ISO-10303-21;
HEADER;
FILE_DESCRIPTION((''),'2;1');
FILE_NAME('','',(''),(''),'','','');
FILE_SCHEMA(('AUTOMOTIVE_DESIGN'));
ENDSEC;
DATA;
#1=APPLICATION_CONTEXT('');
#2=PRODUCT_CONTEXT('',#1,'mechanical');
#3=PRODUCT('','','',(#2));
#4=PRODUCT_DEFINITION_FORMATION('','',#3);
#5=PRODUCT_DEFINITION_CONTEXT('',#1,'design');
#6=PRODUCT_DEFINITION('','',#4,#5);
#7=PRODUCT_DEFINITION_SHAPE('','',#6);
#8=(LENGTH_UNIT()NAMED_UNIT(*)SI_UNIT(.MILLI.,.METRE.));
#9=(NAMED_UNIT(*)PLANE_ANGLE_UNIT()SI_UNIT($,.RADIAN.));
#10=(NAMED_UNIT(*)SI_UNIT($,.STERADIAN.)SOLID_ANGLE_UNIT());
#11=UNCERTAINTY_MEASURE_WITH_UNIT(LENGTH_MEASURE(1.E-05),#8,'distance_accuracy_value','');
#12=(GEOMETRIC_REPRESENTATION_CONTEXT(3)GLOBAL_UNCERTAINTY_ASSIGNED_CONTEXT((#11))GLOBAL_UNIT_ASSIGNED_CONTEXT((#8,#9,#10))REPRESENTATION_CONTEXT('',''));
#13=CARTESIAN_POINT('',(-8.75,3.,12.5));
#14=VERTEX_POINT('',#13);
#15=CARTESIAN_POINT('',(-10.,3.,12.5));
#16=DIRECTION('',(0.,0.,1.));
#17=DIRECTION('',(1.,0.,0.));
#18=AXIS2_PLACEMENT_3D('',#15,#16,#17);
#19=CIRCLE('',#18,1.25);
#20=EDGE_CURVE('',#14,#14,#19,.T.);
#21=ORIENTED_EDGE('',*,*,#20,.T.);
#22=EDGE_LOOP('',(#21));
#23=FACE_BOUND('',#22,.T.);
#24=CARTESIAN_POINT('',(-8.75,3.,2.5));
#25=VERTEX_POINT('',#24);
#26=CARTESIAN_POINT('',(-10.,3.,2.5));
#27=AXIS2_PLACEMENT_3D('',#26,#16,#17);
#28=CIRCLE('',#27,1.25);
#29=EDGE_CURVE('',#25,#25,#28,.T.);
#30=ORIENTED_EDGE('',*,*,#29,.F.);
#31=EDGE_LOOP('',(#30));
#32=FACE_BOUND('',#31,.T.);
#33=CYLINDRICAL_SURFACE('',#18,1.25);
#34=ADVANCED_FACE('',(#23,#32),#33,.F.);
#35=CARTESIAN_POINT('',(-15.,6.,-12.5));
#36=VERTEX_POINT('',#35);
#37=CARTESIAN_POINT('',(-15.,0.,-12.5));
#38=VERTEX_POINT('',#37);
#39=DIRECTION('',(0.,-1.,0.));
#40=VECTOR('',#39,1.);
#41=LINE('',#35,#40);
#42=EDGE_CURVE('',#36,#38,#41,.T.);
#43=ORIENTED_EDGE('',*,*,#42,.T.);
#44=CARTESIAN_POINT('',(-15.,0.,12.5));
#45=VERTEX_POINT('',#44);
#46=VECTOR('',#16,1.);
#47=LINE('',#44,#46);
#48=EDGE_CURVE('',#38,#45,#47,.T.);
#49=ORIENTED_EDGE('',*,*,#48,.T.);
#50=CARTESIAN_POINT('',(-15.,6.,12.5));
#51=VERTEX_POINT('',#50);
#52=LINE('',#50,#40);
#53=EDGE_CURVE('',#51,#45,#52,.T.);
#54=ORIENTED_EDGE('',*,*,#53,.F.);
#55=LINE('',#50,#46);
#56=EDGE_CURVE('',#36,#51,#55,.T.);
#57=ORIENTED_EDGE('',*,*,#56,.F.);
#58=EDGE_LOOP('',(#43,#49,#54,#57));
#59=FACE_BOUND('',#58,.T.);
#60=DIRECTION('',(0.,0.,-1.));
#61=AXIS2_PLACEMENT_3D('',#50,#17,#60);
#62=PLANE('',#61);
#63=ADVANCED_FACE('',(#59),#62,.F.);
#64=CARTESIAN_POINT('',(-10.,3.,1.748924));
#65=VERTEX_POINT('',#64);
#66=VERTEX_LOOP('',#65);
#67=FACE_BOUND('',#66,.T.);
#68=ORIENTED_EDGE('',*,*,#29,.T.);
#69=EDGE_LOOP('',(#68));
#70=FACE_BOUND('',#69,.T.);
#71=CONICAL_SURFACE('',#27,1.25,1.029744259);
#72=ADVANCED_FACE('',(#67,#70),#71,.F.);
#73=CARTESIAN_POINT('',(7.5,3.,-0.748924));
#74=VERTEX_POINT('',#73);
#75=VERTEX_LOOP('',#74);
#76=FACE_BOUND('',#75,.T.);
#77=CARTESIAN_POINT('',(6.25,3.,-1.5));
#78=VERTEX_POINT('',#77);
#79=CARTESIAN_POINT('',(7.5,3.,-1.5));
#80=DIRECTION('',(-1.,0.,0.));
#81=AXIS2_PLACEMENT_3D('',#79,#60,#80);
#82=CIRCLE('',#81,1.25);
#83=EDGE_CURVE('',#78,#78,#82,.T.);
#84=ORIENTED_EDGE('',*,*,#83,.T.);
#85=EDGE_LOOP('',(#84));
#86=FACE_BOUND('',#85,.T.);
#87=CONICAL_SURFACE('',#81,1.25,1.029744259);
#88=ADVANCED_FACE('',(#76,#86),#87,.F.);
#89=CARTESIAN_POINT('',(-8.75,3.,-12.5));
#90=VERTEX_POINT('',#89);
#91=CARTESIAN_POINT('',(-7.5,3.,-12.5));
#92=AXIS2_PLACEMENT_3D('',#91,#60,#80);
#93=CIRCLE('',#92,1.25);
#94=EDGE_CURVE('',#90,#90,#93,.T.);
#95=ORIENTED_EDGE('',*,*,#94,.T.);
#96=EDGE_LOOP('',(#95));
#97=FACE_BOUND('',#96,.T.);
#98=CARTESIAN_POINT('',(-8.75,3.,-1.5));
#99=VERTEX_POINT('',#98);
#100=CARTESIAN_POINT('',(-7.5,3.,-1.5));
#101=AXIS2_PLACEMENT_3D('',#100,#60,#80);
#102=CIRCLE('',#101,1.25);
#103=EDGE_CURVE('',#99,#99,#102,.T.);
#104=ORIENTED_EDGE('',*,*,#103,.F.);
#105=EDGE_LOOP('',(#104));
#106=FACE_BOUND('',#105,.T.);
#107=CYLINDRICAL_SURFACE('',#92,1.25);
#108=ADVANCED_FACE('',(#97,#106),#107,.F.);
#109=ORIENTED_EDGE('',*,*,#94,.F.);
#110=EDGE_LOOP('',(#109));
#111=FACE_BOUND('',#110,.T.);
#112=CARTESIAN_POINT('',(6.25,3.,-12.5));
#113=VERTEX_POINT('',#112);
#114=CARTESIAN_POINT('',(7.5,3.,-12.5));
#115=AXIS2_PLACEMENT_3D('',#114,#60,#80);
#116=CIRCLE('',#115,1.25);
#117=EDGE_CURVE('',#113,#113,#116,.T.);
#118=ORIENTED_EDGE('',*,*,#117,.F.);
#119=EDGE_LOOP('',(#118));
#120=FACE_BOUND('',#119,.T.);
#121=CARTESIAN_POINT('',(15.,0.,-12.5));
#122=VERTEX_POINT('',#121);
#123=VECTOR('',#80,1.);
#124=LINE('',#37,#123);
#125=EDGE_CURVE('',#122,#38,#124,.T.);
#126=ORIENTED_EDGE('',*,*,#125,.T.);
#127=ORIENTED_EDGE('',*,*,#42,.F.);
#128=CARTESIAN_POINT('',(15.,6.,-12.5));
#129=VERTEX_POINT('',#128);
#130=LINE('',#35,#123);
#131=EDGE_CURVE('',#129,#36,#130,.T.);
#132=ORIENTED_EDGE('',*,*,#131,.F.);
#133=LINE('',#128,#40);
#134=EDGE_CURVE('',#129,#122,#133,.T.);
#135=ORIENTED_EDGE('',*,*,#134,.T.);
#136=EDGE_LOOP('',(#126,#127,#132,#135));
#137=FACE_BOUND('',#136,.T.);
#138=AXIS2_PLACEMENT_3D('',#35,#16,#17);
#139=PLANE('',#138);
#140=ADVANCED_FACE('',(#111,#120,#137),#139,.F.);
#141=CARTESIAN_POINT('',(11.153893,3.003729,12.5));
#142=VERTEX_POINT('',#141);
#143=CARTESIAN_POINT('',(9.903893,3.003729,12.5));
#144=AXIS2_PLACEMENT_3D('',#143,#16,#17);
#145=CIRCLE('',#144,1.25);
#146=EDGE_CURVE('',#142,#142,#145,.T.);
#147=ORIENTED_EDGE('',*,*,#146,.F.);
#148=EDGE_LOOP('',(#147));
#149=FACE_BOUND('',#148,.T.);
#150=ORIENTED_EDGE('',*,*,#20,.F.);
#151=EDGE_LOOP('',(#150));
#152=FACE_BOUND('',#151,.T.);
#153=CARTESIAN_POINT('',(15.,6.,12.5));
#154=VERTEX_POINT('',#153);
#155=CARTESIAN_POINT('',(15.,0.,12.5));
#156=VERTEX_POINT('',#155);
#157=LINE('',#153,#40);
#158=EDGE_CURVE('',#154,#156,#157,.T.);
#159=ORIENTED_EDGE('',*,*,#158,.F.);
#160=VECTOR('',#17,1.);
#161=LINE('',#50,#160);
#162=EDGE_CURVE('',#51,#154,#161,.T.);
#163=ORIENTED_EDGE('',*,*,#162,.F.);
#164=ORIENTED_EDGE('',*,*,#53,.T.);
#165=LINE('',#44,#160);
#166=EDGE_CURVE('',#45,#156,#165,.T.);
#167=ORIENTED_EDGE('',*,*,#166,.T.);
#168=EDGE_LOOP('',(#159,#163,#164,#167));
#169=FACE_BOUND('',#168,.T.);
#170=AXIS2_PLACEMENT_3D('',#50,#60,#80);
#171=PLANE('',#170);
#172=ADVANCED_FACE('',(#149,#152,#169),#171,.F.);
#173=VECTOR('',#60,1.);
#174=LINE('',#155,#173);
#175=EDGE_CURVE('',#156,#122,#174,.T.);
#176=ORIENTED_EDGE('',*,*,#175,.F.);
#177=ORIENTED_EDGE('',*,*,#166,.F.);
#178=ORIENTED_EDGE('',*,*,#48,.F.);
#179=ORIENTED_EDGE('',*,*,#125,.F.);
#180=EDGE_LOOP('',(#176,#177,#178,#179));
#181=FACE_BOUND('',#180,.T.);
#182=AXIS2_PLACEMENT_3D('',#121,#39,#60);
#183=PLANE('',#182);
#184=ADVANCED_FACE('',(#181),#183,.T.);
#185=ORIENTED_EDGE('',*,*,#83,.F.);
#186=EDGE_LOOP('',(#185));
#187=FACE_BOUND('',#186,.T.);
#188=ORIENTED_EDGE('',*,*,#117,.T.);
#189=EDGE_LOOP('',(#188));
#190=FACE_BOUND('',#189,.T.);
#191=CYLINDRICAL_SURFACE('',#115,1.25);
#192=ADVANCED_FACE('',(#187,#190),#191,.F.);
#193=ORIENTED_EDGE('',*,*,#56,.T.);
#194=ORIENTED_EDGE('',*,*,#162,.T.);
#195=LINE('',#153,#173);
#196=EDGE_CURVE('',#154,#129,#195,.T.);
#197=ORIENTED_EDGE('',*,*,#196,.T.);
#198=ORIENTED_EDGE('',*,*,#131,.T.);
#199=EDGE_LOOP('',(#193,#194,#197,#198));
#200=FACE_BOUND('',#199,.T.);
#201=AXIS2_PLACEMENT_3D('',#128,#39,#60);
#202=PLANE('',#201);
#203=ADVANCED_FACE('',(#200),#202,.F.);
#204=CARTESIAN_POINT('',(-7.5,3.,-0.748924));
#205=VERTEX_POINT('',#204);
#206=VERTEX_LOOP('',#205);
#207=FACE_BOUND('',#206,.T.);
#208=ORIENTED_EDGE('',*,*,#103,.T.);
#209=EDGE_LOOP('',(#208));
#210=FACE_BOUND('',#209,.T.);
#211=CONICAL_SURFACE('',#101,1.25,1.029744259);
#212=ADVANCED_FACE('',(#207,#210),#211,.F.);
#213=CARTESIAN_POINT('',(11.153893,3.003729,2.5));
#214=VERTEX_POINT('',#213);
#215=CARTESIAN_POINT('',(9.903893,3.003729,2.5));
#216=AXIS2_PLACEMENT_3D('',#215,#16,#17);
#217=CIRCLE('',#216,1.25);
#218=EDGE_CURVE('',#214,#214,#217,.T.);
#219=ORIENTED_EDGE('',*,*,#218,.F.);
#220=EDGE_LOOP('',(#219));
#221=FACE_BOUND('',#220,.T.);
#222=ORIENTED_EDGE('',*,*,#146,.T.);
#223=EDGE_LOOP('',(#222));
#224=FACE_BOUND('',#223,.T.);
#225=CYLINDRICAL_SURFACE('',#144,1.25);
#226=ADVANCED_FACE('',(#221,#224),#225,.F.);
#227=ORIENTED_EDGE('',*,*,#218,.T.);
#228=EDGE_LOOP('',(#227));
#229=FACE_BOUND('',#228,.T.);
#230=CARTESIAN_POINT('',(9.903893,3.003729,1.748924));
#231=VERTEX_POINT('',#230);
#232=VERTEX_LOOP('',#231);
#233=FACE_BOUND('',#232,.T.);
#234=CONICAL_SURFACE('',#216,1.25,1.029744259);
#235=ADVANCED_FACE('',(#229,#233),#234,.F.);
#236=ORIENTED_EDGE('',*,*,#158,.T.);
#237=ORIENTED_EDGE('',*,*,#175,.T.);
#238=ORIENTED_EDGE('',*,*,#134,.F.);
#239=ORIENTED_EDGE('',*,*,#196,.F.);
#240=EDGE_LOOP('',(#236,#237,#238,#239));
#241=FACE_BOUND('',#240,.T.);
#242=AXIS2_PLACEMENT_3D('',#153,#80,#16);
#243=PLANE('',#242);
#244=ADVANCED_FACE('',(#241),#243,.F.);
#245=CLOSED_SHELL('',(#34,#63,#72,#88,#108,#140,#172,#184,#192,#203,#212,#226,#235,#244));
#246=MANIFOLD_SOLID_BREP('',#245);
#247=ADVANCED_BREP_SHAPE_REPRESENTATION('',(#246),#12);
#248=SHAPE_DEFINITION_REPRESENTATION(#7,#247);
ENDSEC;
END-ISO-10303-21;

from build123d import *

# Parameters (mm, degrees)
ESQUISSE1_W                                   = 30
ESQUISSE1_H                                   = 25
BOSS_EXTRU_1_DEPTH                            = 6
TROU_POUR_TARAUDAGE_POUR_TROU_TARAUD_M3_D     = 2.5
TROU_POUR_TARAUDAGE_POUR_TROU_TARAUD_M3_DEPTH = 10
TROU_POUR_TARAUDAGE_POUR_TROU_TARAUD_M3_TIP   = 0.751075774
TROU_POUR_TARAUDAGE_POUR_TROU_TARAUD_2_D      = 2.5
TROU_POUR_TARAUDAGE_POUR_TROU_TARAUD_2_DEPTH  = 11
TROU_POUR_TARAUDAGE_POUR_TROU_TARAUD_2_TIP    = 0.751075774


with BuildPart() as part:
    # Esquisse1 → Boss.-Extru.1 (new body)
    with BuildSketch(Plane(origin=(0, 0, 0), x_dir=(1, 0, 0), z_dir=(0, 1, 0))):
        Rectangle(ESQUISSE1_W, ESQUISSE1_H)
    extrude(amount=BOSS_EXTRU_1_DEPTH)

    # Trou pour taraudage pour trou taraud_ M3
    with Locations(Plane.XY.offset(12.5)):
        with Locations((-10, 3), (9.903892631, 3.003728502)):
            Hole(TROU_POUR_TARAUDAGE_POUR_TROU_TARAUD_M3_D / 2, depth=TROU_POUR_TARAUDAGE_POUR_TROU_TARAUD_M3_DEPTH)
            with Locations((0, 0, -(TROU_POUR_TARAUDAGE_POUR_TROU_TARAUD_M3_DEPTH + TROU_POUR_TARAUDAGE_POUR_TROU_TARAUD_M3_TIP / 2))):  # 118° drill point
                Cone(0, TROU_POUR_TARAUDAGE_POUR_TROU_TARAUD_M3_D / 2, TROU_POUR_TARAUDAGE_POUR_TROU_TARAUD_M3_TIP, mode=Mode.SUBTRACT)

    # Trou pour taraudage pour trou taraud 2
    with Locations(Plane(origin=(0, 0, -12.5), x_dir=(-1, 0, 0), z_dir=(0, 0, -1))):
        with Locations((-7.5, 3), (7.5, 3)):
            Hole(TROU_POUR_TARAUDAGE_POUR_TROU_TARAUD_2_D / 2, depth=TROU_POUR_TARAUDAGE_POUR_TROU_TARAUD_2_DEPTH)
            with Locations((0, 0, -(TROU_POUR_TARAUDAGE_POUR_TROU_TARAUD_2_DEPTH + TROU_POUR_TARAUDAGE_POUR_TROU_TARAUD_2_TIP / 2))):  # 118° drill point
                Cone(0, TROU_POUR_TARAUDAGE_POUR_TROU_TARAUD_2_D / 2, TROU_POUR_TARAUDAGE_POUR_TROU_TARAUD_2_TIP, mode=Mode.SUBTRACT)


solid = part.part
